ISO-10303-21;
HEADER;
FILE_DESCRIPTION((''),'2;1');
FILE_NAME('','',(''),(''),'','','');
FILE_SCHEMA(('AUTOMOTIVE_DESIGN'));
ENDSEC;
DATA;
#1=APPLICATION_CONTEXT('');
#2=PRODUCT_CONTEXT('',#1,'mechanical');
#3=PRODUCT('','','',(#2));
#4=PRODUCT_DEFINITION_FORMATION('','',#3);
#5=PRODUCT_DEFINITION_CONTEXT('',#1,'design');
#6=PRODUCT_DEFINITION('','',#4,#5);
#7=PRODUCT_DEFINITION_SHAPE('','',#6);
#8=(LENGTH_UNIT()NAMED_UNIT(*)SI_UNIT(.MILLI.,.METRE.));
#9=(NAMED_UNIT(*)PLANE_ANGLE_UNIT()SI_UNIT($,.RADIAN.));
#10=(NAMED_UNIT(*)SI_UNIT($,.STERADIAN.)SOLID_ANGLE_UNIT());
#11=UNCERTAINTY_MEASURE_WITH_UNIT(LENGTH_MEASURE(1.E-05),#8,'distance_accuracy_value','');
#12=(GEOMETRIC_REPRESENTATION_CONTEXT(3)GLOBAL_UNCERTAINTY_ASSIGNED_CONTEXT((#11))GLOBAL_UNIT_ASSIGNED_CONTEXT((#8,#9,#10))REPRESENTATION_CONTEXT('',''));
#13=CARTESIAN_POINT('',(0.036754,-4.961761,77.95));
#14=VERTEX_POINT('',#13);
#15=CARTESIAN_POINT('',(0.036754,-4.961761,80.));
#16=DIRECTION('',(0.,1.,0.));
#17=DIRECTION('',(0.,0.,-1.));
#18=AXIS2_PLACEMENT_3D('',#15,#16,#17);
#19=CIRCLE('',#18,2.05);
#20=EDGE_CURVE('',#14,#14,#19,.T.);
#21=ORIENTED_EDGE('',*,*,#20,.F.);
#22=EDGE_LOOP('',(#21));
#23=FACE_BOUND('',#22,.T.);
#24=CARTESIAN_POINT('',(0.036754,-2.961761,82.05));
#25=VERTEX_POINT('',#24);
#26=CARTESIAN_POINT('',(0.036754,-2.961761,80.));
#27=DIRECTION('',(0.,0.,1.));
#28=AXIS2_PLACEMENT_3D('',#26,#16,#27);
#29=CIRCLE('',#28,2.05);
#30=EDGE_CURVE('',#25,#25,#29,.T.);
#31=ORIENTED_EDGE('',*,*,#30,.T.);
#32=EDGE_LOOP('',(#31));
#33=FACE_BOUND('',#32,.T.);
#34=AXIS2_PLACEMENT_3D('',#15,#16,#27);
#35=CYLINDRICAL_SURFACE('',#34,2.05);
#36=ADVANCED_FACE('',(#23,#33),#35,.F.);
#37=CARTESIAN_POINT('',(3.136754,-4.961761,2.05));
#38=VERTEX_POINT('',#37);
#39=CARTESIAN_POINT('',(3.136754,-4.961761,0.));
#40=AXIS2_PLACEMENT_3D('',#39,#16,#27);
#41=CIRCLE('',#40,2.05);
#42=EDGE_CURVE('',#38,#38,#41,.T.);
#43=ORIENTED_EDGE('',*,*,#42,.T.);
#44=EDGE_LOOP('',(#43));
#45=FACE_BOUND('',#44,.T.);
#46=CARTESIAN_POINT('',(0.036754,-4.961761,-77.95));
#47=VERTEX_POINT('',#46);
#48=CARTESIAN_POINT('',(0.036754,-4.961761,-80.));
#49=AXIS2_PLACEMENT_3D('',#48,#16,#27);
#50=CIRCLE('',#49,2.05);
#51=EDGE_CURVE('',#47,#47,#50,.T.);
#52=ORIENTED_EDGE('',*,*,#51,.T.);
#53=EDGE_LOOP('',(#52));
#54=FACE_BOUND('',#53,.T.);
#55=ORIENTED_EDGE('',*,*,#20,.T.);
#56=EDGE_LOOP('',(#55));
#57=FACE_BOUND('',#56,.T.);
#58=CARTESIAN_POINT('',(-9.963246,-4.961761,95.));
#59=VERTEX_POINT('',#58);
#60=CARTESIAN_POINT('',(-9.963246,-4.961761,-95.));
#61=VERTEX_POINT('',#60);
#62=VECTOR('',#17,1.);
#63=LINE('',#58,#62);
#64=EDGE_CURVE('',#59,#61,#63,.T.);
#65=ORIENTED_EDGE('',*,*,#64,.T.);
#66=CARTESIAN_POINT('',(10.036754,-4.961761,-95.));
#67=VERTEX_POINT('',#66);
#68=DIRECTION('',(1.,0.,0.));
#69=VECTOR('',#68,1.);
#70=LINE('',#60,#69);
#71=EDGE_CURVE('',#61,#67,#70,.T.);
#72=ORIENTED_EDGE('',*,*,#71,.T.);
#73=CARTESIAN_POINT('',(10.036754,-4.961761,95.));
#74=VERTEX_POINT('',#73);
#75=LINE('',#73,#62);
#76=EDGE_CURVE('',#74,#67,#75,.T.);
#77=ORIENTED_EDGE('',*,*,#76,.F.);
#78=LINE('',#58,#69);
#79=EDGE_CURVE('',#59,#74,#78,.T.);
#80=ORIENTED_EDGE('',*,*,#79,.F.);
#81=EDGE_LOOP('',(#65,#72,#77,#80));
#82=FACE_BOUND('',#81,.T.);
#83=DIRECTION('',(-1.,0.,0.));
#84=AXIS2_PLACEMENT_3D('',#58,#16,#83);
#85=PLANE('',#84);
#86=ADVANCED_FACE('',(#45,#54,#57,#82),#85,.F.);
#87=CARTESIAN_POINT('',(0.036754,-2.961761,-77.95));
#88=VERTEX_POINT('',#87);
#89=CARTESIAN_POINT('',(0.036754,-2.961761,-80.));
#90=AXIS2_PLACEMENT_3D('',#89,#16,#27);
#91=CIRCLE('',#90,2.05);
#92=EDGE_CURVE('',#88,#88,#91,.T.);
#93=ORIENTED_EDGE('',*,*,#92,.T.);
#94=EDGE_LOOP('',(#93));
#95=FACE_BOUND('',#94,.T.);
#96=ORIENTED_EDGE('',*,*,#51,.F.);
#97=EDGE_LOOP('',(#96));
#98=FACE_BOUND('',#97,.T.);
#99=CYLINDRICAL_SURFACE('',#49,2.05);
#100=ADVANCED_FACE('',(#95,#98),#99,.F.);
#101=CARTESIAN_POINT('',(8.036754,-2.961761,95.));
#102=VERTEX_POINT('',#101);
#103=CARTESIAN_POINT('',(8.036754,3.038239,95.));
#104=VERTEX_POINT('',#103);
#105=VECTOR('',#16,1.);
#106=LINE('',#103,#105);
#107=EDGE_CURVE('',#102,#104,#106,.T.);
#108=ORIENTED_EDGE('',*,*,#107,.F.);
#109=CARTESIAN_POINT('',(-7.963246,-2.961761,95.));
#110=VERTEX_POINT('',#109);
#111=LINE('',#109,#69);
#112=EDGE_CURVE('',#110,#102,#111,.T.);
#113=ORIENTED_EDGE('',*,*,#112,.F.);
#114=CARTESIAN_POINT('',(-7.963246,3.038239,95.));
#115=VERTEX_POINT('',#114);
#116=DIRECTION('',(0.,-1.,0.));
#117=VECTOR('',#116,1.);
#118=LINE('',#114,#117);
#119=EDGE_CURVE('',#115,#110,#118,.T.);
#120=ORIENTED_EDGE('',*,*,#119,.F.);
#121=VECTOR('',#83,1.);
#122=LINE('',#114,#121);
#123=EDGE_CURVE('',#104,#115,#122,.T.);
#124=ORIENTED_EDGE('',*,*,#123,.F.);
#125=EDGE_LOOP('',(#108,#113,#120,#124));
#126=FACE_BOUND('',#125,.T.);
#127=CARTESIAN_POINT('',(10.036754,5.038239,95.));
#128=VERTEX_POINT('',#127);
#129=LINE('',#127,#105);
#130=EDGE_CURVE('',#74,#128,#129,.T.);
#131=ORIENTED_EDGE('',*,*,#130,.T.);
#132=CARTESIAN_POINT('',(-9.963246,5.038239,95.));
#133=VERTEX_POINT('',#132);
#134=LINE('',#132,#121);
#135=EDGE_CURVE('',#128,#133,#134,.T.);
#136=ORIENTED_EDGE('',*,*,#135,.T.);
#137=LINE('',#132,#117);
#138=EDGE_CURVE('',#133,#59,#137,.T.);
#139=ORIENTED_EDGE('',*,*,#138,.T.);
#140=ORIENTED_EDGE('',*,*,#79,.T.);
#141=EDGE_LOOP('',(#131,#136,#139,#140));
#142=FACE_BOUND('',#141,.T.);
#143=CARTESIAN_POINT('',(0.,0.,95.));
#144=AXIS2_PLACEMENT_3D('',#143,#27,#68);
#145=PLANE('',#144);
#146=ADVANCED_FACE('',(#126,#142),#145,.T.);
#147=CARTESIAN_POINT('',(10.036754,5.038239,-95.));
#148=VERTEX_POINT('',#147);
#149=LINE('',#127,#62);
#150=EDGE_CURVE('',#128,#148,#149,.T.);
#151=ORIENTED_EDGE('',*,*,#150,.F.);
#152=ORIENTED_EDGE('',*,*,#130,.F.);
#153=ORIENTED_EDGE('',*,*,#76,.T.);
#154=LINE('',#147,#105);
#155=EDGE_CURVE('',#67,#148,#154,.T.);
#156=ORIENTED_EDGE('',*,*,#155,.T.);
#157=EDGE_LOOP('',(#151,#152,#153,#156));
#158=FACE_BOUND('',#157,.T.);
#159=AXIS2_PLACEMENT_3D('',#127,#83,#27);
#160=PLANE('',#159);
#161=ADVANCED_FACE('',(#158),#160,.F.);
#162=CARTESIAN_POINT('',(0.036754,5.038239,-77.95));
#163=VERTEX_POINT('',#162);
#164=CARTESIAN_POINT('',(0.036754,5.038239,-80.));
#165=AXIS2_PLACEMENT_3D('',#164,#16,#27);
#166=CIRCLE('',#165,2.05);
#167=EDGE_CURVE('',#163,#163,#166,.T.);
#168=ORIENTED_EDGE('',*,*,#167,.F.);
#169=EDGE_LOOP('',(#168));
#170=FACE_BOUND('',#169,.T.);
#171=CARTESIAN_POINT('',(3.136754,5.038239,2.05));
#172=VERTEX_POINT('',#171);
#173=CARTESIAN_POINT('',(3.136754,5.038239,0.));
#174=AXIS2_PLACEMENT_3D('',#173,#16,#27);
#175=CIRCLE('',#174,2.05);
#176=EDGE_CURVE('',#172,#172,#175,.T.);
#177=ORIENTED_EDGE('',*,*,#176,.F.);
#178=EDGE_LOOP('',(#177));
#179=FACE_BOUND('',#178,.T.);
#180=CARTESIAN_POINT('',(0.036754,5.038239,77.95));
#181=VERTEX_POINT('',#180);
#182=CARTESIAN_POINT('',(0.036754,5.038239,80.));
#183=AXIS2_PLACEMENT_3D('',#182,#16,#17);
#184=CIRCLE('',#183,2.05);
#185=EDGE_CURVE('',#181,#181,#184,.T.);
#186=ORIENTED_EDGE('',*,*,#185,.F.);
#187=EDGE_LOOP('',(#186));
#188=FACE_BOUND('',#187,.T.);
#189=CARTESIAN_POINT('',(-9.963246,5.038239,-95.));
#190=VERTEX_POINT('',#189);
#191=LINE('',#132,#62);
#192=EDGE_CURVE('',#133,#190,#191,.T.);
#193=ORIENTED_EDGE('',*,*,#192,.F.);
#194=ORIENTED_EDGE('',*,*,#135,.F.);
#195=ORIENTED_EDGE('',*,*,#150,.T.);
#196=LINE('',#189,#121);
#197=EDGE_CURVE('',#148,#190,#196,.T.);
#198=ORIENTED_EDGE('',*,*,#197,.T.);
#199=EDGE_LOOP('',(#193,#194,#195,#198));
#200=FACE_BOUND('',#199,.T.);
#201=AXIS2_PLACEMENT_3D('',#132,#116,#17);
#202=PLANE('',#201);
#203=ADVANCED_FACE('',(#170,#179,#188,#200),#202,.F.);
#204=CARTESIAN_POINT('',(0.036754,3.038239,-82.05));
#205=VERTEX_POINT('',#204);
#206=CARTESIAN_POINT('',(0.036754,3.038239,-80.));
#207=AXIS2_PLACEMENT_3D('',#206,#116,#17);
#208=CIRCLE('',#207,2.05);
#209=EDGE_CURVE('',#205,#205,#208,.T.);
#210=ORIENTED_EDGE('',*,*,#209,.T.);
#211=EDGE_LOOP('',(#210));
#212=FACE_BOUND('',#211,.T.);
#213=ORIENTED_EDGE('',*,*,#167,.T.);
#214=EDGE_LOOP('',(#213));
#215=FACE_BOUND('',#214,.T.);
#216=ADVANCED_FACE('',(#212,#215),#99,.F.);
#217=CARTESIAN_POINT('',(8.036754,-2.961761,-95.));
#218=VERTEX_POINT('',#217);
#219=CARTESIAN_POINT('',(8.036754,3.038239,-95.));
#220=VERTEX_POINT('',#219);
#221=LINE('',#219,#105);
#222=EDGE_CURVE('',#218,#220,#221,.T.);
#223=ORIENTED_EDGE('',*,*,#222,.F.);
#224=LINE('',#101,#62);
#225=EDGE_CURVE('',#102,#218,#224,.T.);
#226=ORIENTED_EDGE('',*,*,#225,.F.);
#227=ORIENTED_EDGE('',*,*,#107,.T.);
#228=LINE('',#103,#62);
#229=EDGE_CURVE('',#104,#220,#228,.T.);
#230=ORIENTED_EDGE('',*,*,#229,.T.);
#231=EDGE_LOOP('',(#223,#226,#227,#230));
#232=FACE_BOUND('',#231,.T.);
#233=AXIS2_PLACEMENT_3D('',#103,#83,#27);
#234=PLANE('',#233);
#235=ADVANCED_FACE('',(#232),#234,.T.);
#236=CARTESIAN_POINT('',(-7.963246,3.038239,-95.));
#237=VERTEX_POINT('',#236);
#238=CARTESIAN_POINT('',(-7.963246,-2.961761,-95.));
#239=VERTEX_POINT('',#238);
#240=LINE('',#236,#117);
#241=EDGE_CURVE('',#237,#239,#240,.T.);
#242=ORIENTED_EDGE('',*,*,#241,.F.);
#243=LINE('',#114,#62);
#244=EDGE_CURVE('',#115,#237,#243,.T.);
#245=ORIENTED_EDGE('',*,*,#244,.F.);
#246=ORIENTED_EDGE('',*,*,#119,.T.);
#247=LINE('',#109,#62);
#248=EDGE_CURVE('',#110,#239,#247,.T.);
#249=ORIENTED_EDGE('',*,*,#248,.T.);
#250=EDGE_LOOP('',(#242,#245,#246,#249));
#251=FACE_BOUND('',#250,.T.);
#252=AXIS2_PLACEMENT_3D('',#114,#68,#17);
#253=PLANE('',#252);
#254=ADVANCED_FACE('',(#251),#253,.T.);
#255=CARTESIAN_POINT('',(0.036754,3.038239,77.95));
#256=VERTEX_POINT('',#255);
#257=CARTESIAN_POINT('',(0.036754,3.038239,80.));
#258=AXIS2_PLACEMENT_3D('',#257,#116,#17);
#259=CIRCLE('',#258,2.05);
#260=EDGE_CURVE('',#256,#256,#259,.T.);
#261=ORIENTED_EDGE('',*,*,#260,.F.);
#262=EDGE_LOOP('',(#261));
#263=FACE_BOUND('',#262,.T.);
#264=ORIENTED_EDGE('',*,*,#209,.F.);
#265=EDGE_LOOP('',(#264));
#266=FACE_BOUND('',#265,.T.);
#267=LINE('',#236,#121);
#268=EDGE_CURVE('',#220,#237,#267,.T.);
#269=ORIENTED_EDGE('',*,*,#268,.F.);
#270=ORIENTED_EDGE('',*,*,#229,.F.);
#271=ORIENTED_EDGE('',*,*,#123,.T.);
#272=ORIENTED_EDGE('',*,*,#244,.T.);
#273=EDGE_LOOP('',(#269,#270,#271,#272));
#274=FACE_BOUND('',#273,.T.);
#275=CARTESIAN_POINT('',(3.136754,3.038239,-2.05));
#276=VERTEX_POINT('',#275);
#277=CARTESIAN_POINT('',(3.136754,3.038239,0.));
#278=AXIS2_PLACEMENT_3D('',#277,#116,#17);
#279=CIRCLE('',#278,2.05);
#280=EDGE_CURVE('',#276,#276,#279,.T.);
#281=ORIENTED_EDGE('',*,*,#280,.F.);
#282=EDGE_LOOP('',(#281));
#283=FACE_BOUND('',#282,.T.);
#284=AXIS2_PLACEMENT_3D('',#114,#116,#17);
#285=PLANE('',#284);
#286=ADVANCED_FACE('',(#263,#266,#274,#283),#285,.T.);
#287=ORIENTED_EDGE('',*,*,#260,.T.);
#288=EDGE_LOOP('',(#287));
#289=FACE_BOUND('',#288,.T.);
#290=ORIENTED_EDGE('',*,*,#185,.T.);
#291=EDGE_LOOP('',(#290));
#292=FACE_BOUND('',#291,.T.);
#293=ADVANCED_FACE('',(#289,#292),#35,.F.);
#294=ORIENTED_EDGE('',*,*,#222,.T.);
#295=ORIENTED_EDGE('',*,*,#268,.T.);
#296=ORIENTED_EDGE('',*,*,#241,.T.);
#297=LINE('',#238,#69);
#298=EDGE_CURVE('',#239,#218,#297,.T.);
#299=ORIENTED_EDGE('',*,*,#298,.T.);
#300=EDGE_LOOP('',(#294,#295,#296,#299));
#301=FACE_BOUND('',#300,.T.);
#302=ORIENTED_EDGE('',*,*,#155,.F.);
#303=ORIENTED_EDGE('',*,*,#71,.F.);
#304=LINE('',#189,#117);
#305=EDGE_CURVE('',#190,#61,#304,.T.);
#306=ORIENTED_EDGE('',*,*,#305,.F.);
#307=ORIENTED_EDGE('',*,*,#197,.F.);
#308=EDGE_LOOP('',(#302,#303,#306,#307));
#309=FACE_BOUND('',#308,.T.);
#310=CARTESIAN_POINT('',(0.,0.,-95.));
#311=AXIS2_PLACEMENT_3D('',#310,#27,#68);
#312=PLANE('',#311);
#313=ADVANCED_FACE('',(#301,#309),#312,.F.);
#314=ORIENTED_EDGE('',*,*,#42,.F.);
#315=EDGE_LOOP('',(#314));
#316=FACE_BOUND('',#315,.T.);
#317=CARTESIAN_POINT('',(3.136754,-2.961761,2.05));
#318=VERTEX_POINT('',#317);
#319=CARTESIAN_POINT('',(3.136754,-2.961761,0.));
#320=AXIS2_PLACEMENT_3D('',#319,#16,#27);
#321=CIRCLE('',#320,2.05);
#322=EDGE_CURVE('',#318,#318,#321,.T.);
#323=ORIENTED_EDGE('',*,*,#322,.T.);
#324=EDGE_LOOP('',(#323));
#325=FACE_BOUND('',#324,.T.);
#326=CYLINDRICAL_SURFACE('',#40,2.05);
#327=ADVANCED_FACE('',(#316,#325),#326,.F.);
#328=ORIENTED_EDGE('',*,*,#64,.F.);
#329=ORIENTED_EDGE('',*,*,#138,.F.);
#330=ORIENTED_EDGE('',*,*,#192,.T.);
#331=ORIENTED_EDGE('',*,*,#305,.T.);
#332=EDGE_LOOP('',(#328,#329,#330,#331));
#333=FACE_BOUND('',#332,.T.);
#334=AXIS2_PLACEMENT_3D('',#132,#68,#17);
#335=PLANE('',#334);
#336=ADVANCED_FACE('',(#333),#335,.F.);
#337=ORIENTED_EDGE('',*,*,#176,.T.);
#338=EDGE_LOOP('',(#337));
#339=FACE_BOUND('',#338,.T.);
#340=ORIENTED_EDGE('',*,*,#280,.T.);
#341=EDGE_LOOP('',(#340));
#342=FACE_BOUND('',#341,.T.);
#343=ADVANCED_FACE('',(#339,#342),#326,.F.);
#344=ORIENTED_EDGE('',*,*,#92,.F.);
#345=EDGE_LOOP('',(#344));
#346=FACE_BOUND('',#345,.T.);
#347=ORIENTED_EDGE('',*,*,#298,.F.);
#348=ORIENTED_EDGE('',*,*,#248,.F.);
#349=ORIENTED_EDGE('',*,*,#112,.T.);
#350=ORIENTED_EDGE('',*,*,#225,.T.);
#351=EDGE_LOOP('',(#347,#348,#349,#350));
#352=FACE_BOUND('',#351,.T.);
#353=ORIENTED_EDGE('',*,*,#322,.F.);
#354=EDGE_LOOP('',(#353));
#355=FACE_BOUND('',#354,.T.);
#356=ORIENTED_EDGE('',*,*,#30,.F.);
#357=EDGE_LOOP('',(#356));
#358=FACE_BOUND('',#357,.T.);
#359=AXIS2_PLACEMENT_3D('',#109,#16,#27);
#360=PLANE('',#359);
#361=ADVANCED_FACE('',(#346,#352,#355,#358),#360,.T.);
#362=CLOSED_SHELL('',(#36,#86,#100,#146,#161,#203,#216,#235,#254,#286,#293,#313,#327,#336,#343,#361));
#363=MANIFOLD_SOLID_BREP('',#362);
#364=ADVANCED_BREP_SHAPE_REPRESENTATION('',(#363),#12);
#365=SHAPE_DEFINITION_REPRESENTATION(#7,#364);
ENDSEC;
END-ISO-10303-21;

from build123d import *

# Parameters (mm, degrees)
SKETCH_1_W          = 20
SKETCH_1_H          = 10
SKETCH_1_W_2        = 16
SKETCH_1_H_2        = 6
EXTRUDE_1_DEPTH     = 95
SKETCH_3_R          = 2.05
CUT_EXTRUDE_1_DEPTH = 97.050697163


with BuildPart() as part:
    # 草图1 → 凸台-拉伸1 (new, symmetric)
    with BuildSketch(Plane.XY):
        with Locations((0.036753729, 0.03823935)):
            Rectangle(SKETCH_1_W, SKETCH_1_H)
        with Locations((0.036753729, 0.03823935)):
            Rectangle(SKETCH_1_W_2, SKETCH_1_H_2, mode=Mode.SUBTRACT)
    extrude(amount=EXTRUDE_1_DEPTH, both=True)

    # 草图3 → 切除-拉伸1 (cut, through all)
    with BuildSketch(Plane(origin=(0, 5.03823935, 0), x_dir=(1, 0, 0), z_dir=(0, 1, 0))):
        with Locations(Location((3.136753729, 0, 0), (0, 0, 270))):
            Circle(SKETCH_3_R)
        with Locations(Location((0.036753729, 80, 0), (0, 0, 270))):
            Circle(SKETCH_3_R)
        with Locations(Location((0.036753729, -80, 0), (0, 0, 270))):
            Circle(SKETCH_3_R)
    extrude(amount=-CUT_EXTRUDE_1_DEPTH, mode=Mode.SUBTRACT)


solid = part.part
